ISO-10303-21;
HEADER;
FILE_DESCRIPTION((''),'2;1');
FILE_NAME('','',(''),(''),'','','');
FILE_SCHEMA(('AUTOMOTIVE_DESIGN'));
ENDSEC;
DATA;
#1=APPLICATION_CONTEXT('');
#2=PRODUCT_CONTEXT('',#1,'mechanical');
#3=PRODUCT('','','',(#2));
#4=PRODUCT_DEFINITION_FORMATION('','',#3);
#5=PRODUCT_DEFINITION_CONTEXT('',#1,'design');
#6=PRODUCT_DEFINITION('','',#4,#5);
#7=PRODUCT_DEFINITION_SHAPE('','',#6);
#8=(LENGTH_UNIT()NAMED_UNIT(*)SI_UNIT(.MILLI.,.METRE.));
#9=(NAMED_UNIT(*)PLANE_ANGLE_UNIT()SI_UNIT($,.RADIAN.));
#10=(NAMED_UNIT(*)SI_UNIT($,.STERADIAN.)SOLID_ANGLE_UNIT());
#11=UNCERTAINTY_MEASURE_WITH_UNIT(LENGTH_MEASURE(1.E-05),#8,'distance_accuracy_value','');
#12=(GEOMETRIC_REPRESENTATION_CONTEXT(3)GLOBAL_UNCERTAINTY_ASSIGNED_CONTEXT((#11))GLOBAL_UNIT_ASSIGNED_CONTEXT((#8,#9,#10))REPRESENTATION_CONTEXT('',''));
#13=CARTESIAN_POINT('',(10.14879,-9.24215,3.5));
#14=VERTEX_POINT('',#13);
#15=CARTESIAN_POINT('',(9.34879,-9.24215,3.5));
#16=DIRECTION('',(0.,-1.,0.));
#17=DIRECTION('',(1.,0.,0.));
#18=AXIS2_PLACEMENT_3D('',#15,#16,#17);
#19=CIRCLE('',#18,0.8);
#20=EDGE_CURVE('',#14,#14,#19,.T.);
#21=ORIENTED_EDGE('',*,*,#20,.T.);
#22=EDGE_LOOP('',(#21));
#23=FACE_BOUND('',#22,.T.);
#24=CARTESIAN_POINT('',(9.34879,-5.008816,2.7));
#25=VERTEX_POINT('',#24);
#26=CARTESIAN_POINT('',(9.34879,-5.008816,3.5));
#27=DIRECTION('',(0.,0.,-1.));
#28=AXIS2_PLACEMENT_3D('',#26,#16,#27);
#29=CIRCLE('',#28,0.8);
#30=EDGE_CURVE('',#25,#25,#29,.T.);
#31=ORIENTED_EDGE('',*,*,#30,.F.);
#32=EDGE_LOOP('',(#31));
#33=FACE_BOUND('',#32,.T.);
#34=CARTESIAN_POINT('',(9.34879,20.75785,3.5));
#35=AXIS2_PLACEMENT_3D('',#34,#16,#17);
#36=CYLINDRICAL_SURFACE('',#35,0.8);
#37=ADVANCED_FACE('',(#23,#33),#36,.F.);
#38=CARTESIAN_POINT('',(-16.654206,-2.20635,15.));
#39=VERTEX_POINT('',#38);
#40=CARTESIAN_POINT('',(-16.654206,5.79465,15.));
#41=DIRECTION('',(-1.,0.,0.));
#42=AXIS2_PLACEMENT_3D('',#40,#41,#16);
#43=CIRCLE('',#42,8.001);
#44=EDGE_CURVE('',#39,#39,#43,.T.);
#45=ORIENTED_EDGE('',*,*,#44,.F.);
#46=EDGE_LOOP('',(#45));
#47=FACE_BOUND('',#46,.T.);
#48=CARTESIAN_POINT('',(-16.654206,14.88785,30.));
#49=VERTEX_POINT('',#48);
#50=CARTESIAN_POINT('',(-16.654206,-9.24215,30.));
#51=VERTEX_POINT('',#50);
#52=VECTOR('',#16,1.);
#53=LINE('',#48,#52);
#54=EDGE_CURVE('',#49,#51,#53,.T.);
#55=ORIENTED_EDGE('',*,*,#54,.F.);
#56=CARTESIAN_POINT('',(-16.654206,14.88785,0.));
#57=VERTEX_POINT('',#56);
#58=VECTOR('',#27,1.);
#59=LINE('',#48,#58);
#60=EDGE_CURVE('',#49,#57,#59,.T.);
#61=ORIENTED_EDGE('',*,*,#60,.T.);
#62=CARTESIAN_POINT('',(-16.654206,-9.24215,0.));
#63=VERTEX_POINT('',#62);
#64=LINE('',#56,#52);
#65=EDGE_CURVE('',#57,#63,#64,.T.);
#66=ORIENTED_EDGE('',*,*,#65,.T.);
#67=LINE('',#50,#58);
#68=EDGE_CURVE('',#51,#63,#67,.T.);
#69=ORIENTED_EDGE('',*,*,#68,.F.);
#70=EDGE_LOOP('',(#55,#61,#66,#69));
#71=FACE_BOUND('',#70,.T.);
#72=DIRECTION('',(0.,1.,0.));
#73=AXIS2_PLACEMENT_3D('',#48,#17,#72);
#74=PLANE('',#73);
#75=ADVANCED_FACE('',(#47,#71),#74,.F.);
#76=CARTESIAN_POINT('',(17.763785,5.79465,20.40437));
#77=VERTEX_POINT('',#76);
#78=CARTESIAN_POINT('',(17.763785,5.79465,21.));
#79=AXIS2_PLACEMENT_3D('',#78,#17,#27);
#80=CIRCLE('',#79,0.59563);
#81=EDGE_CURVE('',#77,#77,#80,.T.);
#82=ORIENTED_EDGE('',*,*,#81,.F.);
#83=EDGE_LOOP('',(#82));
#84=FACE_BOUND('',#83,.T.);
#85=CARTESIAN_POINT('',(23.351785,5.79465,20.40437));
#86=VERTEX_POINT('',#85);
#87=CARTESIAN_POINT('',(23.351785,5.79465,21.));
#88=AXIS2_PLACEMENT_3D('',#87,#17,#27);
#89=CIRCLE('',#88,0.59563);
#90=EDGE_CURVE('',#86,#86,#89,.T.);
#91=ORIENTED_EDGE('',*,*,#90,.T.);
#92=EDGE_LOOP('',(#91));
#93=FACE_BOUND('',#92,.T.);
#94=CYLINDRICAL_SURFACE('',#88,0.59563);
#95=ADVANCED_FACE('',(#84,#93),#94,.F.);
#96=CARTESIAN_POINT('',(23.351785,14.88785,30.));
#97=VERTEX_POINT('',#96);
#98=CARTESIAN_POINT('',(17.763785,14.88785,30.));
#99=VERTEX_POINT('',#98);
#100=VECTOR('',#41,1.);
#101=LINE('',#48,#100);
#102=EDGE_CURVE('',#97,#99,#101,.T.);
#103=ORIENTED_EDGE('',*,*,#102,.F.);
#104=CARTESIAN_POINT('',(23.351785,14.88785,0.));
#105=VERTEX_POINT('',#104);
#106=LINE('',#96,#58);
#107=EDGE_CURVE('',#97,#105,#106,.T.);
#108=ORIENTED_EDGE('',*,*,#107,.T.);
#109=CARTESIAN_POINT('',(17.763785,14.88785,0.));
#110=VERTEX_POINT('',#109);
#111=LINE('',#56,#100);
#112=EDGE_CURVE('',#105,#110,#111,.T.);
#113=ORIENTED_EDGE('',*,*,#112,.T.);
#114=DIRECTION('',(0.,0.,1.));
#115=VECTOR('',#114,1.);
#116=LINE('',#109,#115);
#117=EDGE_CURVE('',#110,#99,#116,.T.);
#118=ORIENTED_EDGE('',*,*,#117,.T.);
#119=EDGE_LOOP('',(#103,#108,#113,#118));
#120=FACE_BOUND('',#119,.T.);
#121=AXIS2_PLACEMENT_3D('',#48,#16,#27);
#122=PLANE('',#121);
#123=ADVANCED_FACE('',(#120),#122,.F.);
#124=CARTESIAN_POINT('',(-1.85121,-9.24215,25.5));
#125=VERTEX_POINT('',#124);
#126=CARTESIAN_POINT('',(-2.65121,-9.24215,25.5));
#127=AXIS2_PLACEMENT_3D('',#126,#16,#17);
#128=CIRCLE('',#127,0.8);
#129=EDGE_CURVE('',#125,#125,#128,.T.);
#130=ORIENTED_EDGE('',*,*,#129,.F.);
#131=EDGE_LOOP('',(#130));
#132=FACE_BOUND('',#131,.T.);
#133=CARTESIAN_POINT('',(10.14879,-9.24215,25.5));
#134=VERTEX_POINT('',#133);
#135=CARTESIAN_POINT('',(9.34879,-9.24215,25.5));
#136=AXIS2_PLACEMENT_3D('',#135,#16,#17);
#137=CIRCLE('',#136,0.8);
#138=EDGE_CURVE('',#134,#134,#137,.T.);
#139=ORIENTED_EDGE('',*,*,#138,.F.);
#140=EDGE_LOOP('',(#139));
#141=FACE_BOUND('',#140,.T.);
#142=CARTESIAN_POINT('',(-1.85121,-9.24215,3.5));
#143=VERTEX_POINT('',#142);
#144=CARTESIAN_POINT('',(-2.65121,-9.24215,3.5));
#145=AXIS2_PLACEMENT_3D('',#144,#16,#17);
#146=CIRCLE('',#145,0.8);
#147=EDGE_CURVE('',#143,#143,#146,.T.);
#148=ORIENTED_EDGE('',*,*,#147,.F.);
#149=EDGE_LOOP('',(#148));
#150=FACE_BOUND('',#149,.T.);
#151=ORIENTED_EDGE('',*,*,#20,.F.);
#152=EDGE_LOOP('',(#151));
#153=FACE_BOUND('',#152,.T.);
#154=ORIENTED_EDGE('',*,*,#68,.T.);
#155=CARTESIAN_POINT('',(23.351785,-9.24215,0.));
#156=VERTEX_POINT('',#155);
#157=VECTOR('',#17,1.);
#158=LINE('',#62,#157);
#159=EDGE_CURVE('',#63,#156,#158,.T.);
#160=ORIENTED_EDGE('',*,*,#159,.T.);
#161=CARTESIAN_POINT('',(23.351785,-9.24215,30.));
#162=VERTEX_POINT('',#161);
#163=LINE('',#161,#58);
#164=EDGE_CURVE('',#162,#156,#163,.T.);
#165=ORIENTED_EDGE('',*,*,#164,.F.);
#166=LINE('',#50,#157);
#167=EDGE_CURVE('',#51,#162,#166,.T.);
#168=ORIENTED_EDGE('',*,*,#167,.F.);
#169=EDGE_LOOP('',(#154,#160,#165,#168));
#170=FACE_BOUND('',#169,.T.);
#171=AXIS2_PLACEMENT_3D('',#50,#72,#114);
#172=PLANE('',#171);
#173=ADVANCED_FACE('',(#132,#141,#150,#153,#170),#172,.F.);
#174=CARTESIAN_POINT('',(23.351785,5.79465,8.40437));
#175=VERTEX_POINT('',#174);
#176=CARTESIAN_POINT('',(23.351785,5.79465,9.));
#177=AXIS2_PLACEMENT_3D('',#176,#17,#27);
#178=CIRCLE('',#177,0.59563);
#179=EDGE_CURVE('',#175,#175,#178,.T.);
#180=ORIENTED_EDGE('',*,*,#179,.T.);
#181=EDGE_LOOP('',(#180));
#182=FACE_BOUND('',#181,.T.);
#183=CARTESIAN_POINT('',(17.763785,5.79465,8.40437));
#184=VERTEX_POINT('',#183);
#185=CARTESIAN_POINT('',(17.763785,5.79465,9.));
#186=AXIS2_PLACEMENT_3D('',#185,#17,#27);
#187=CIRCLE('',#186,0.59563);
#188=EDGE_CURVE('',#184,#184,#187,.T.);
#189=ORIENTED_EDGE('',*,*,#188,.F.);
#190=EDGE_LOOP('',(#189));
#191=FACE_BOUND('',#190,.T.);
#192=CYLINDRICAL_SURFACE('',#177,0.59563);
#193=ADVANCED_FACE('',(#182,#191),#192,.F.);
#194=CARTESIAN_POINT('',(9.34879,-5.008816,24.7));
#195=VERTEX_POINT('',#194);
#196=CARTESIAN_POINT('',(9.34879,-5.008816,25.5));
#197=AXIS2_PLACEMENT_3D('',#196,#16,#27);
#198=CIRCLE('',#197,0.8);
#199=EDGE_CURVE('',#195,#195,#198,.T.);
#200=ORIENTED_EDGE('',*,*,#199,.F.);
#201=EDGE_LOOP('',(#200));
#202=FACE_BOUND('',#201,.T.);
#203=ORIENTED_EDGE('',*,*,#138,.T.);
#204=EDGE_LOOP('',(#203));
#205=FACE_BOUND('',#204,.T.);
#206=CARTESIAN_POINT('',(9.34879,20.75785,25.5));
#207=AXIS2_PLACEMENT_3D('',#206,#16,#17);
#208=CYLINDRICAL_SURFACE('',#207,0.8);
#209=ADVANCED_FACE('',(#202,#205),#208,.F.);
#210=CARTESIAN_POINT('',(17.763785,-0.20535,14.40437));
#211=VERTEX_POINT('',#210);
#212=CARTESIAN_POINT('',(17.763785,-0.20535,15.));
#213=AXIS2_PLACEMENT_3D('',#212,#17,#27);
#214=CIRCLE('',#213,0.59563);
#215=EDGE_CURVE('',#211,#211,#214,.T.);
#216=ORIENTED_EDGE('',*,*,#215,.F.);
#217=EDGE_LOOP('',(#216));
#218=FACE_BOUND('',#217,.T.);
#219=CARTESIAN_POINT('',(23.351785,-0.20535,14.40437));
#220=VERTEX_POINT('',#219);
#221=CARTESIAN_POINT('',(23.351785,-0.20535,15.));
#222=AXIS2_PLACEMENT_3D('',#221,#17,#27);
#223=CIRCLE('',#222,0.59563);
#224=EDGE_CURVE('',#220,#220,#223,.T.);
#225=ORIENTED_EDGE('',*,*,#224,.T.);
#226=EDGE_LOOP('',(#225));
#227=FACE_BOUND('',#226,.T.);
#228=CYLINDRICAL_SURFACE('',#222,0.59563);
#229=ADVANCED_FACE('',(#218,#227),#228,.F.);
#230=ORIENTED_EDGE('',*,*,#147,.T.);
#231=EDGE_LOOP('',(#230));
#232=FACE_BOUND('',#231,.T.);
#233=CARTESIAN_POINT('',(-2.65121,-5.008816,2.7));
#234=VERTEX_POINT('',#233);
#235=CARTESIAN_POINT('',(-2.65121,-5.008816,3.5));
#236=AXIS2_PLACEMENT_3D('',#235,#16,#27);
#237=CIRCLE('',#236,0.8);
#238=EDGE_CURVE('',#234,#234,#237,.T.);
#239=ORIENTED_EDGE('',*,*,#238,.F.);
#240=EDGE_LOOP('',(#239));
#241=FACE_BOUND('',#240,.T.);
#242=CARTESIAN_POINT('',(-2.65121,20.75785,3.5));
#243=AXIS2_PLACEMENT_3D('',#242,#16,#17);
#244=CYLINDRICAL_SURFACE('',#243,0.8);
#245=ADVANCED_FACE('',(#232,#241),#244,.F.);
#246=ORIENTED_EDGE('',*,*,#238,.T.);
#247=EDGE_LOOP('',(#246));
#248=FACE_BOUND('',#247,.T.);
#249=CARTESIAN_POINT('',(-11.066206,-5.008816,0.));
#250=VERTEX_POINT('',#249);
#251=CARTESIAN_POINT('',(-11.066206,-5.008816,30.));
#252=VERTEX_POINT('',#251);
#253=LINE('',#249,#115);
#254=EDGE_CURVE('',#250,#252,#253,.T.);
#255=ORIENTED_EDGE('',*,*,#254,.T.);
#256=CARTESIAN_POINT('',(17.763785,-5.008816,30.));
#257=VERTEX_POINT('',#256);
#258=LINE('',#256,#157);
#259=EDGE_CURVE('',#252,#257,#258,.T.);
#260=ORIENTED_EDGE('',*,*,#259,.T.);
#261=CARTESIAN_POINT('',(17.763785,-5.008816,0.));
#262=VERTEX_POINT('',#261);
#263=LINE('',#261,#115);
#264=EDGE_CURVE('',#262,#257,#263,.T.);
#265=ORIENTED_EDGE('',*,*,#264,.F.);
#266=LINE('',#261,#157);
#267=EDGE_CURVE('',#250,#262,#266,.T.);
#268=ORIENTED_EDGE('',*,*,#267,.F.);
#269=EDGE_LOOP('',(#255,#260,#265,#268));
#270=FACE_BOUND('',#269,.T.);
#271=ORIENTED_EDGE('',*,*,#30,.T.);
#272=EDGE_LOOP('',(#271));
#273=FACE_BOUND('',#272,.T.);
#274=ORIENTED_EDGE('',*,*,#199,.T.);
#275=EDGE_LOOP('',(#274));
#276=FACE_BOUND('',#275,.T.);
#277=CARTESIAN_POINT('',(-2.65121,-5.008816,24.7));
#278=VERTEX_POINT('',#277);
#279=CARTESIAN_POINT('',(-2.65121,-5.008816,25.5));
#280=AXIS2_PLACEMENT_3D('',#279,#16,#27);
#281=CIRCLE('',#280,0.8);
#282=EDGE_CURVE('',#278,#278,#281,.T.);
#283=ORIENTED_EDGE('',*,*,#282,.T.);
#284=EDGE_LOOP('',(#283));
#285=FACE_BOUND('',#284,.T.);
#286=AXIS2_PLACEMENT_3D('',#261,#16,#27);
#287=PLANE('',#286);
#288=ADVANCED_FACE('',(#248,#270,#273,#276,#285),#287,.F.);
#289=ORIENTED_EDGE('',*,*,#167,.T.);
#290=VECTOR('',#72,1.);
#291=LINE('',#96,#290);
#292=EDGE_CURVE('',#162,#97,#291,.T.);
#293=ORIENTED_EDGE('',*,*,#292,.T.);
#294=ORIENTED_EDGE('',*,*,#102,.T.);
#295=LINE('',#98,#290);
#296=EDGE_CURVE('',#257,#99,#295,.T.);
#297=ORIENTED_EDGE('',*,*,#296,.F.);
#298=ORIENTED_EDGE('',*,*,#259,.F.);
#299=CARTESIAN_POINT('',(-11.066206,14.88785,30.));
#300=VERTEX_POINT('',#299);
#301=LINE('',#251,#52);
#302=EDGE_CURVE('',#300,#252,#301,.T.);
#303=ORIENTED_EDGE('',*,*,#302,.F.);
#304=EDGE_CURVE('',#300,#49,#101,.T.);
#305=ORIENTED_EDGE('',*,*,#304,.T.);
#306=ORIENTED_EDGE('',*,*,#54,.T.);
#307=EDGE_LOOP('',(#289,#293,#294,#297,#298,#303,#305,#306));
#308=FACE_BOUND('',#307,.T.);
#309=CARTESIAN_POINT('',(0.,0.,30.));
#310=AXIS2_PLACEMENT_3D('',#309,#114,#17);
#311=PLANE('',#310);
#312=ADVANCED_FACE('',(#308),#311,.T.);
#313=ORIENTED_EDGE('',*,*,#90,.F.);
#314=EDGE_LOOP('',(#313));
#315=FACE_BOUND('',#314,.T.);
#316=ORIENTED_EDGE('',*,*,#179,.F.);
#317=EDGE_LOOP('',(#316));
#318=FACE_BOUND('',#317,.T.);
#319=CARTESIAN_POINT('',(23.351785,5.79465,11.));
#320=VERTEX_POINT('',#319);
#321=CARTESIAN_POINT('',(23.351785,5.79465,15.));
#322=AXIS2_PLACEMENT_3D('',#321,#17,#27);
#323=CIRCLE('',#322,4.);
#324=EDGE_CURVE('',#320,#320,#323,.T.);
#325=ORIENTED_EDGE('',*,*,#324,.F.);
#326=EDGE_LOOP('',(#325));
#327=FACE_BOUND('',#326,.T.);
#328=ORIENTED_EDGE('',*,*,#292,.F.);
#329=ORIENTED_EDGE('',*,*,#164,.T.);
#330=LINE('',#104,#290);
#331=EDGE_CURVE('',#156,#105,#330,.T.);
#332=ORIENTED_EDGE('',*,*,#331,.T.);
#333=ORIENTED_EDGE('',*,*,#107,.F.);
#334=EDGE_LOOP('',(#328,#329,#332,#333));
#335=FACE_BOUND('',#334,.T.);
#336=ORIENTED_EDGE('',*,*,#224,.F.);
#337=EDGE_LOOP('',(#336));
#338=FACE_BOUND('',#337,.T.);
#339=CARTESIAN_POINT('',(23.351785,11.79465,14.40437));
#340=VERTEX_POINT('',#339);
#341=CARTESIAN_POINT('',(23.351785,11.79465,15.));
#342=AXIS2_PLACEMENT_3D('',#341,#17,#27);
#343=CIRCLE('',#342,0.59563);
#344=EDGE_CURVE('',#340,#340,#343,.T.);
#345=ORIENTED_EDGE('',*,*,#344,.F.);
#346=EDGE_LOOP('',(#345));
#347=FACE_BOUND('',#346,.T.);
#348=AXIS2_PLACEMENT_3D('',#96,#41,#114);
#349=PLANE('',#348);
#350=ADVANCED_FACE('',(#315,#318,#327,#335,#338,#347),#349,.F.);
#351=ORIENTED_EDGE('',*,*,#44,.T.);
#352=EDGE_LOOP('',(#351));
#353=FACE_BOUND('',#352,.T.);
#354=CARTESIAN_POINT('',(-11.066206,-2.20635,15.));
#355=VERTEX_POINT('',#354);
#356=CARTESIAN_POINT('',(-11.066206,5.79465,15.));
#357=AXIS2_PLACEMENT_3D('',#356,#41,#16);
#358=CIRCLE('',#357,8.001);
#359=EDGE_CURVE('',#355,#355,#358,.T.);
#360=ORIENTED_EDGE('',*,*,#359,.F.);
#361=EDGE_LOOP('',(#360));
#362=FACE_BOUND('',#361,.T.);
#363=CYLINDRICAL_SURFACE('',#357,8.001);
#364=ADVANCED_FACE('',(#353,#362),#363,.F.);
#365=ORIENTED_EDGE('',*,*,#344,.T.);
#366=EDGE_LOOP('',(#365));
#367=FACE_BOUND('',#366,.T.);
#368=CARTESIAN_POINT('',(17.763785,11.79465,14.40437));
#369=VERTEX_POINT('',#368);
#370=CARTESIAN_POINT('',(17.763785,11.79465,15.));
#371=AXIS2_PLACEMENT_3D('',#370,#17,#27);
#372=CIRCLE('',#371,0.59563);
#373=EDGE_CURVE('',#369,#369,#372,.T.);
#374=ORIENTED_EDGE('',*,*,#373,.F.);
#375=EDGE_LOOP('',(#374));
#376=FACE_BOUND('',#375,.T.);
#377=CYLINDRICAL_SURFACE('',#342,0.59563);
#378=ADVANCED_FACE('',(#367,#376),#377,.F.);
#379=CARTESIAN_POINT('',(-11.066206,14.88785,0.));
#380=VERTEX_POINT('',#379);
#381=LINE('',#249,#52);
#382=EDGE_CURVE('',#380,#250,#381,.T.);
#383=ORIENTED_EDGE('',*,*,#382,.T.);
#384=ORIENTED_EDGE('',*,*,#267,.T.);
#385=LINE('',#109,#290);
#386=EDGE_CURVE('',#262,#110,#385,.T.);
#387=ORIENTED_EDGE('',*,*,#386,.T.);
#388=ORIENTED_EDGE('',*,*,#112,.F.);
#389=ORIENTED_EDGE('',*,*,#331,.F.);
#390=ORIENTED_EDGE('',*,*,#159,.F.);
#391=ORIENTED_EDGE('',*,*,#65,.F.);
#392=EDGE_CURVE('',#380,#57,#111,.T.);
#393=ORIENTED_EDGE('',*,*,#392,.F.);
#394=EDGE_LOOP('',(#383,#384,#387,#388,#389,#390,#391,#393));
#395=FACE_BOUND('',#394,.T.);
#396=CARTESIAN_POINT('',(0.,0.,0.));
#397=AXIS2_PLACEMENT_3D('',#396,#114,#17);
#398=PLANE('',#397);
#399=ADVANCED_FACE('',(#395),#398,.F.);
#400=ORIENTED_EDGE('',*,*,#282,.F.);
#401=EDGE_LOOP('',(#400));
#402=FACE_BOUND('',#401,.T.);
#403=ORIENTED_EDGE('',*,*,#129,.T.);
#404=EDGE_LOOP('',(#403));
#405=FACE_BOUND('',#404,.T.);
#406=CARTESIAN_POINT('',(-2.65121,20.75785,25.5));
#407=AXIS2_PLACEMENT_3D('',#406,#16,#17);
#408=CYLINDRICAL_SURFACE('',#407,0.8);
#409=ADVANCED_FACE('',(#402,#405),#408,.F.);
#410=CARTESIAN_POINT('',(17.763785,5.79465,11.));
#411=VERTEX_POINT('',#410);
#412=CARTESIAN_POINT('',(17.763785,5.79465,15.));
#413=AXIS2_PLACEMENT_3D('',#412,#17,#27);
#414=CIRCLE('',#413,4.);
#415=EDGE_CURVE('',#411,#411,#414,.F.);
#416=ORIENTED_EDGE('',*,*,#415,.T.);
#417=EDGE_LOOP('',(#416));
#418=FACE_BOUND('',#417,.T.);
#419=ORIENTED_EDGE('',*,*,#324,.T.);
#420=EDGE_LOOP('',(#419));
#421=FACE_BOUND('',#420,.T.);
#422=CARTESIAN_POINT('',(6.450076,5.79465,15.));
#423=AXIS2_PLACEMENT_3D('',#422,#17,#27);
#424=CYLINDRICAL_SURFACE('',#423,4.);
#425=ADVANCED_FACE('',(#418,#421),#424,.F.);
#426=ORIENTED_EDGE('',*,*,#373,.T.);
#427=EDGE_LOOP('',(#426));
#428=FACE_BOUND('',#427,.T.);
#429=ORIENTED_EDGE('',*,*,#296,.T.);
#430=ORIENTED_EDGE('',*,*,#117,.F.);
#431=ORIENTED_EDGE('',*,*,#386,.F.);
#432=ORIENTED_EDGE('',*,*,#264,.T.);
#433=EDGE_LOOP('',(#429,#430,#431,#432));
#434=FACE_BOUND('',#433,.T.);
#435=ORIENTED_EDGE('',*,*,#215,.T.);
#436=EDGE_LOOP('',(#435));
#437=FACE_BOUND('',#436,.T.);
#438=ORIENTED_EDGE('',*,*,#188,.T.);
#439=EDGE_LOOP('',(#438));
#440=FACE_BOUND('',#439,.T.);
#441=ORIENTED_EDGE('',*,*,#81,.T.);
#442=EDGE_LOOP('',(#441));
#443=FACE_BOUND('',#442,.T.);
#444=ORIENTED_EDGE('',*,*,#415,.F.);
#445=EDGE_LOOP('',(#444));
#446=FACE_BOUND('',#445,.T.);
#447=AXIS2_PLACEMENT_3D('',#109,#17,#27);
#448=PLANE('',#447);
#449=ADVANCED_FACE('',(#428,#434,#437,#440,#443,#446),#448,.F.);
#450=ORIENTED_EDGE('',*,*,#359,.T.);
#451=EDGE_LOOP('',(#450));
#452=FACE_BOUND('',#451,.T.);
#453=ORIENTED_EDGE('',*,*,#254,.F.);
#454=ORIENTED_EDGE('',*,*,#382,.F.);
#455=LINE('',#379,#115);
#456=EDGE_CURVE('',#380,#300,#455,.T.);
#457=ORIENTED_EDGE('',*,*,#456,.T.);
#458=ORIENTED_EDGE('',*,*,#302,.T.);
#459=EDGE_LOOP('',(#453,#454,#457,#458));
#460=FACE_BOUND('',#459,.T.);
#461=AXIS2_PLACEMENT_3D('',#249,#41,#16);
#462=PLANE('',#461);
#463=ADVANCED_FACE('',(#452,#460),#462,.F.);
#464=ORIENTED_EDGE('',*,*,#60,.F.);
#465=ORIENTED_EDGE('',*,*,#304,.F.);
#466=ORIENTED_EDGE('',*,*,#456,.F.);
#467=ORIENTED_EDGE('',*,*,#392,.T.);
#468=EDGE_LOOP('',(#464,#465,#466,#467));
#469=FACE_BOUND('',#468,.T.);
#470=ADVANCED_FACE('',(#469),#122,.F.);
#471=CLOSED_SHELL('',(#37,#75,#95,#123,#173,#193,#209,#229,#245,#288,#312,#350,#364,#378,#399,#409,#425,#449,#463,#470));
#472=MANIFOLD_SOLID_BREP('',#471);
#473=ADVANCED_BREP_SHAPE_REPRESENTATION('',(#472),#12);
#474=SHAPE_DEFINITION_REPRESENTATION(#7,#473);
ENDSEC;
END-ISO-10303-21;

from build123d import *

# Parameters (mm, degrees)
SKETCH1_W                 = 40.0059906
SKETCH1_H                 = 24.13
BOSS_EXTRUDE1_DEPTH       = 30
SKETCH6_W                 = 28.8299906
SKETCH6_H                 = 19.896666666
CUT_EXTRUDE1_DEPTH        = 30
SKETCH9_R                 = 0.8
CUT_EXTRUDE3_DEPTH        = 30
SKETCH29_R                = 8.001
CUT_EXTRUDE4_DEPTH        = 5.588
SKETCH41_R                = 4
CUT_EXTRUDE5_DEPTH        = 5.588
F_0_80_TAPPED_HOLE1_D     = 1.19126
F_0_80_TAPPED_HOLE1_DEPTH = 5.588


with BuildPart() as part:
    # Sketch1 → Boss-Extrude1 (new body)
    with BuildSketch(Plane.XY):
        with Locations((3.348789693, 2.822850467)):
            Rectangle(SKETCH1_W, SKETCH1_H)
    extrude(amount=BOSS_EXTRUDE1_DEPTH)

    # Sketch6 → Cut-Extrude1 (cut)
    with BuildSketch(Plane.XY.offset(30)):
        with Locations((3.348789693, 4.939517134)):
            Rectangle(SKETCH6_W, SKETCH6_H)
    extrude(amount=-CUT_EXTRUDE1_DEPTH, mode=Mode.SUBTRACT)

    # Sketch9 → Cut-Extrude3 (cut)
    with BuildSketch(Plane(origin=(0, -9.242149533, 0), x_dir=(-1, 0, 0), z_dir=(0, -1, 0))):
        with Locations((2.651210307, -25.5)):
            Circle(SKETCH9_R)
        with Locations((-9.348789693, -25.5)):
            Circle(SKETCH9_R)
        with Locations((-9.348789693, -3.5)):
            Circle(SKETCH9_R)
        with Locations((2.651210307, -3.5)):
            Circle(SKETCH9_R)
    extrude(amount=-CUT_EXTRUDE3_DEPTH, mode=Mode.SUBTRACT)

    # Sketch29 → Cut-Extrude4 (cut)
    with BuildSketch(Plane.ZY.offset(16.654205607)):
        with Locations((15, 5.794650467)):
            Circle(SKETCH29_R)
    extrude(amount=-CUT_EXTRUDE4_DEPTH, mode=Mode.SUBTRACT)

    # Sketch41 → Cut-Extrude5 (cut)
    with BuildSketch(Plane(origin=(23.351784993, 0, 0), x_dir=(0, 0, -1), z_dir=(1, 0, 0))):
        with Locations((-15, 5.794650467)):
            Circle(SKETCH41_R)
    extrude(amount=-CUT_EXTRUDE5_DEPTH, mode=Mode.SUBTRACT)

    # #0-80 Tapped Hole1
    with Locations(Plane(origin=(23.351784993, 0, 0), x_dir=(0, 0, -1), z_dir=(1, 0, 0))):
        with Locations((-15, 11.794650467), (-9, 5.794650467), (-15, -0.205349533), (-21, 5.794650467)):
            Hole(F_0_80_TAPPED_HOLE1_D / 2, depth=F_0_80_TAPPED_HOLE1_DEPTH)


solid = part.part
